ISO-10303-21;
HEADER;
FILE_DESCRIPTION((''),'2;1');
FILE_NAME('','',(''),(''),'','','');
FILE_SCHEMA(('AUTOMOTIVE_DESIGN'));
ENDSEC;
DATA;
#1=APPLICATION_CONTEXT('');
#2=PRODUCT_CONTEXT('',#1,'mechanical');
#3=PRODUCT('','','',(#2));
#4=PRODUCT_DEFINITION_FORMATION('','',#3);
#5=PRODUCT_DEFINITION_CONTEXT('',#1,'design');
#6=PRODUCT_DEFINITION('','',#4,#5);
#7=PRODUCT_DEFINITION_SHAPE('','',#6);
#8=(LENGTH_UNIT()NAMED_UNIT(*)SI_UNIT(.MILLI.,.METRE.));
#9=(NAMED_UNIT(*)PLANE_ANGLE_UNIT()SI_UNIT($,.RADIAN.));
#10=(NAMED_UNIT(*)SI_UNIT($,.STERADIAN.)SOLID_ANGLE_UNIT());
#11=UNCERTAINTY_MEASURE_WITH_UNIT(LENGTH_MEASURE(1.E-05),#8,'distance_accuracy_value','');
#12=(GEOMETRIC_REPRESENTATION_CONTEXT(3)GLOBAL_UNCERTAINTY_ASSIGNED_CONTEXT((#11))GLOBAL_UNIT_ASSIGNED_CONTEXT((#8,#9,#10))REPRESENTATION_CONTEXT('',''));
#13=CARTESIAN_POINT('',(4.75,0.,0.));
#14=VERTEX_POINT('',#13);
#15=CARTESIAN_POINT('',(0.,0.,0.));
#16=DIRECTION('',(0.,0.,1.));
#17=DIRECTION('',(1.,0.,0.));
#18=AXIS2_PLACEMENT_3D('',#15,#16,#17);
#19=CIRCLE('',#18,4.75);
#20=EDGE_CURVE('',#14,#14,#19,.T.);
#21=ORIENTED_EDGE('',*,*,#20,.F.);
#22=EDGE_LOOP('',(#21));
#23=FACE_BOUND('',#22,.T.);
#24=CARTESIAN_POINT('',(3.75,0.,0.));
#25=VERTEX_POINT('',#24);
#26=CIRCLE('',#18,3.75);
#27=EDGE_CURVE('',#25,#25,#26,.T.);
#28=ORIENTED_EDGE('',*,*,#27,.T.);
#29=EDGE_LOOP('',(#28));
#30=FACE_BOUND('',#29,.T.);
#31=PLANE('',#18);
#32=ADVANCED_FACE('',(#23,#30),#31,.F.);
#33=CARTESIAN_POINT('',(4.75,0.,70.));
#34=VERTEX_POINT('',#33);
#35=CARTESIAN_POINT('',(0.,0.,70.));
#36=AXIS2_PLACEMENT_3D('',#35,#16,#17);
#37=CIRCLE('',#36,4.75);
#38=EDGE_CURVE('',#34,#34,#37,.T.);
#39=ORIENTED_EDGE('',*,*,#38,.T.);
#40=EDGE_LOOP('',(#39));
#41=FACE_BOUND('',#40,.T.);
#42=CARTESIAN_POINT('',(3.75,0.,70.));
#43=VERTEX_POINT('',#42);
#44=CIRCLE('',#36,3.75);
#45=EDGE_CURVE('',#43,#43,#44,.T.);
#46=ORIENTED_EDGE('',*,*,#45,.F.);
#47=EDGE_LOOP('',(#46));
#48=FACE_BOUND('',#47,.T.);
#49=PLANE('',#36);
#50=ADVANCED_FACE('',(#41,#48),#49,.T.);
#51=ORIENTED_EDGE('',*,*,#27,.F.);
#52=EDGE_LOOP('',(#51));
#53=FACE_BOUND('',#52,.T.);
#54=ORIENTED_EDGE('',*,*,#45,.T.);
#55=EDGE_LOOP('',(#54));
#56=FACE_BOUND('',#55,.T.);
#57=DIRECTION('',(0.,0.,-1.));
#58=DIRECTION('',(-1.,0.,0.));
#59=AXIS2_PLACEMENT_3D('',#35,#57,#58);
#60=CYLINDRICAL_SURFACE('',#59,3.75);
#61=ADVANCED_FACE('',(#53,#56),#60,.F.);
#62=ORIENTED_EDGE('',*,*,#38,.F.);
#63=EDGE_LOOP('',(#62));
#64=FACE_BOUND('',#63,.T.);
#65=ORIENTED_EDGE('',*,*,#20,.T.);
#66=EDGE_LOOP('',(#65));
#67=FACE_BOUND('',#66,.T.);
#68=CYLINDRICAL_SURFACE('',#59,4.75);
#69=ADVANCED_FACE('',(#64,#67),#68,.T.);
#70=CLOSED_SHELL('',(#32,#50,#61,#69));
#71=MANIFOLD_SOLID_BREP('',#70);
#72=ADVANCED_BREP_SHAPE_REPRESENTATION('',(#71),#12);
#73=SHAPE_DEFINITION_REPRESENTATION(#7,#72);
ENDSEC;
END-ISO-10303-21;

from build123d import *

# Parameters (mm, degrees)
SKETCH1_R           = 4.75
SKETCH1_R_2         = 3.75
BOSS_EXTRUDE2_DEPTH = 70


with BuildPart() as part:
    # Sketch1 → Boss-Extrude2 (new body)
    with BuildSketch(Plane.XY):
        Circle(SKETCH1_R)
        Circle(SKETCH1_R_2, mode=Mode.SUBTRACT)
    extrude(amount=BOSS_EXTRUDE2_DEPTH)


solid = part.part
